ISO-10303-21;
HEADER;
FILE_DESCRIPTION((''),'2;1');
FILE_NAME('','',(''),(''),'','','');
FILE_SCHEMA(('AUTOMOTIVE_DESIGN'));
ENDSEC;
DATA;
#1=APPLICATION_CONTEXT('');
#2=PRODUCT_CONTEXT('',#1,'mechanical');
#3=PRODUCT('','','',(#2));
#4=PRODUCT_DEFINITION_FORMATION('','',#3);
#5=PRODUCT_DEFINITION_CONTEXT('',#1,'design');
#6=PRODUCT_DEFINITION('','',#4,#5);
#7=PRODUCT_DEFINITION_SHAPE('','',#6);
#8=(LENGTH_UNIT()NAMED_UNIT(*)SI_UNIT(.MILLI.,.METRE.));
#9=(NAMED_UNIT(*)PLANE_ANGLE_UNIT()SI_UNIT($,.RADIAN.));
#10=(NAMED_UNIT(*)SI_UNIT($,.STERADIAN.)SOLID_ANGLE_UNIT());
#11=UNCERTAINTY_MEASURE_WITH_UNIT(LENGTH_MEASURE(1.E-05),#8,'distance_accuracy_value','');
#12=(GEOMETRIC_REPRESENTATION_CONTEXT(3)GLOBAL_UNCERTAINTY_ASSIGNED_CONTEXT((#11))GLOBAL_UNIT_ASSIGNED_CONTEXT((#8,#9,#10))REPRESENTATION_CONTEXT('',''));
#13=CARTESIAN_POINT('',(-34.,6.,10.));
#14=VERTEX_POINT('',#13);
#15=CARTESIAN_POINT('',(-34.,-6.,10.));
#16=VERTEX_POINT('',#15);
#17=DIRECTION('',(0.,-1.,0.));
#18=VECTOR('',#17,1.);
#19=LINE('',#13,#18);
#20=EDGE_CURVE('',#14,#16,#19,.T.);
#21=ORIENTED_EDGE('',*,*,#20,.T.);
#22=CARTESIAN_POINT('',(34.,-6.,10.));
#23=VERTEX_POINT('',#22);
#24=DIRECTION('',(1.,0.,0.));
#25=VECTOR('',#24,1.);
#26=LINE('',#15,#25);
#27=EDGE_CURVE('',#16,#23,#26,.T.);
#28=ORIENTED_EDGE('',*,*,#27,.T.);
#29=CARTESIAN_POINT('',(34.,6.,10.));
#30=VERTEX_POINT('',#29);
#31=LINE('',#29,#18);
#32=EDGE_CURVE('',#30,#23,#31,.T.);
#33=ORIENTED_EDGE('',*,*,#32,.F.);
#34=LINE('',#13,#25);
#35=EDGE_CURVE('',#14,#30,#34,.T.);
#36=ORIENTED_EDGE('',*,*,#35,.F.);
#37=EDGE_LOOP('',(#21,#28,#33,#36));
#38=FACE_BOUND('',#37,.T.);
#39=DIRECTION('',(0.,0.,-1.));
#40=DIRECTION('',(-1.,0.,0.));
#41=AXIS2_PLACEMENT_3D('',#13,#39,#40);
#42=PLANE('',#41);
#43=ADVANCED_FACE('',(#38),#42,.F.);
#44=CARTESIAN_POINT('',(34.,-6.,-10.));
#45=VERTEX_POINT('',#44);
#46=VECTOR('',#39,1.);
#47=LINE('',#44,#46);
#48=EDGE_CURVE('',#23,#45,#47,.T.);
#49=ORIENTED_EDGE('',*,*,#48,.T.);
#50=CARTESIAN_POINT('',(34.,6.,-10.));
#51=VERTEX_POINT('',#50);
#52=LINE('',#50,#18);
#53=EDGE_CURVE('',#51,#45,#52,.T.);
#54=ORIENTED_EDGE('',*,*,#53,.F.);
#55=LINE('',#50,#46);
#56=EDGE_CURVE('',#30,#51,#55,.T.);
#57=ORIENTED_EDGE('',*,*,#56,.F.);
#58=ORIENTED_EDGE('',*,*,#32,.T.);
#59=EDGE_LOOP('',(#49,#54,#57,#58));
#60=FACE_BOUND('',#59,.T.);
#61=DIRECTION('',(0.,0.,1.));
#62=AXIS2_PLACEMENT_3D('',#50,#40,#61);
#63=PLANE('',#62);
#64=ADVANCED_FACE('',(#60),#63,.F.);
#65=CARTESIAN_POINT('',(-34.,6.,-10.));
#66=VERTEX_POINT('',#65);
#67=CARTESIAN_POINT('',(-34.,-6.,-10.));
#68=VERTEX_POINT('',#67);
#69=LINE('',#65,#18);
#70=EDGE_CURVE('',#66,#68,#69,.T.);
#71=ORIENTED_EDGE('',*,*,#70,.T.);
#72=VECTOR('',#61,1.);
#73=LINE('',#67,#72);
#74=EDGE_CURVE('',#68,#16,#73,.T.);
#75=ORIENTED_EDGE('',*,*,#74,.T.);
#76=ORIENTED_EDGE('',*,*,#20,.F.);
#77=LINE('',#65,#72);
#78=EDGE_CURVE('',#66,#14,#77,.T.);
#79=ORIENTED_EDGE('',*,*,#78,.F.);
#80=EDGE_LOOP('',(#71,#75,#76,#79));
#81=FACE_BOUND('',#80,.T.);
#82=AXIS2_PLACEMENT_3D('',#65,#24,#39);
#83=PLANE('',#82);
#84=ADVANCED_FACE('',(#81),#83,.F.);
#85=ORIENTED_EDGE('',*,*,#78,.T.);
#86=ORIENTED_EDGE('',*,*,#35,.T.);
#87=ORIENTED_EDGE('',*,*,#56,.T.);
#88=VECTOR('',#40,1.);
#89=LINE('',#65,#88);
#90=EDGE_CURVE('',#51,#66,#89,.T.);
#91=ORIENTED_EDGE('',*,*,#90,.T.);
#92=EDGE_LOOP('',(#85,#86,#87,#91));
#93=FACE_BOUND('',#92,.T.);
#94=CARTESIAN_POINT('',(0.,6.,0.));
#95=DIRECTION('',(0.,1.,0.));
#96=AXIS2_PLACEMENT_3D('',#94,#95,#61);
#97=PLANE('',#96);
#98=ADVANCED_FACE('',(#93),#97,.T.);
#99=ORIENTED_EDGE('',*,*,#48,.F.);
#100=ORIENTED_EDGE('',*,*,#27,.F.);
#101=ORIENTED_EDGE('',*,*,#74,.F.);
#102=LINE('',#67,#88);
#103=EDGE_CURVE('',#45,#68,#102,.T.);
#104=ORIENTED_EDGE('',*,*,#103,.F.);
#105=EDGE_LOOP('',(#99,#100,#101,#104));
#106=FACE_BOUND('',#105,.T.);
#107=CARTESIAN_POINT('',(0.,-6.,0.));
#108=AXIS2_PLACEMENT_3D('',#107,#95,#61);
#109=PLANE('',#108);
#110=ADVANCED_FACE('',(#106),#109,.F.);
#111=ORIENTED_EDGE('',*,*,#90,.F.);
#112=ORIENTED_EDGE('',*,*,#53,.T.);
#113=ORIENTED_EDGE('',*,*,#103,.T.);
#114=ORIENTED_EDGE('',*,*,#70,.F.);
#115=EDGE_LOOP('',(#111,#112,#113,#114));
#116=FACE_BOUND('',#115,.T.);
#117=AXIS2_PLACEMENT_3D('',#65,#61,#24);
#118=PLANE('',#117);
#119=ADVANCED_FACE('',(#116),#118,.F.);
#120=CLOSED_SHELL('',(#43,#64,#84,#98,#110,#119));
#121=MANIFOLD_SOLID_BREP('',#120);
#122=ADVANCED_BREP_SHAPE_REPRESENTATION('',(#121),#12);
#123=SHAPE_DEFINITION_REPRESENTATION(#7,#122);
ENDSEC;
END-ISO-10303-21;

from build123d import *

# Parameters (mm, degrees)
SKETCH1_W           = 68
SKETCH1_H           = 20
BOSS_EXTRUDE1_DEPTH = 6


with BuildPart() as part:
    # Sketch1 → Boss-Extrude1 (new, symmetric)
    with BuildSketch(Plane(origin=(0, 0, 0), x_dir=(1, 0, 0), z_dir=(0, 1, 0))):
        Rectangle(SKETCH1_W, SKETCH1_H)
    extrude(amount=BOSS_EXTRUDE1_DEPTH, both=True)


solid = part.part
